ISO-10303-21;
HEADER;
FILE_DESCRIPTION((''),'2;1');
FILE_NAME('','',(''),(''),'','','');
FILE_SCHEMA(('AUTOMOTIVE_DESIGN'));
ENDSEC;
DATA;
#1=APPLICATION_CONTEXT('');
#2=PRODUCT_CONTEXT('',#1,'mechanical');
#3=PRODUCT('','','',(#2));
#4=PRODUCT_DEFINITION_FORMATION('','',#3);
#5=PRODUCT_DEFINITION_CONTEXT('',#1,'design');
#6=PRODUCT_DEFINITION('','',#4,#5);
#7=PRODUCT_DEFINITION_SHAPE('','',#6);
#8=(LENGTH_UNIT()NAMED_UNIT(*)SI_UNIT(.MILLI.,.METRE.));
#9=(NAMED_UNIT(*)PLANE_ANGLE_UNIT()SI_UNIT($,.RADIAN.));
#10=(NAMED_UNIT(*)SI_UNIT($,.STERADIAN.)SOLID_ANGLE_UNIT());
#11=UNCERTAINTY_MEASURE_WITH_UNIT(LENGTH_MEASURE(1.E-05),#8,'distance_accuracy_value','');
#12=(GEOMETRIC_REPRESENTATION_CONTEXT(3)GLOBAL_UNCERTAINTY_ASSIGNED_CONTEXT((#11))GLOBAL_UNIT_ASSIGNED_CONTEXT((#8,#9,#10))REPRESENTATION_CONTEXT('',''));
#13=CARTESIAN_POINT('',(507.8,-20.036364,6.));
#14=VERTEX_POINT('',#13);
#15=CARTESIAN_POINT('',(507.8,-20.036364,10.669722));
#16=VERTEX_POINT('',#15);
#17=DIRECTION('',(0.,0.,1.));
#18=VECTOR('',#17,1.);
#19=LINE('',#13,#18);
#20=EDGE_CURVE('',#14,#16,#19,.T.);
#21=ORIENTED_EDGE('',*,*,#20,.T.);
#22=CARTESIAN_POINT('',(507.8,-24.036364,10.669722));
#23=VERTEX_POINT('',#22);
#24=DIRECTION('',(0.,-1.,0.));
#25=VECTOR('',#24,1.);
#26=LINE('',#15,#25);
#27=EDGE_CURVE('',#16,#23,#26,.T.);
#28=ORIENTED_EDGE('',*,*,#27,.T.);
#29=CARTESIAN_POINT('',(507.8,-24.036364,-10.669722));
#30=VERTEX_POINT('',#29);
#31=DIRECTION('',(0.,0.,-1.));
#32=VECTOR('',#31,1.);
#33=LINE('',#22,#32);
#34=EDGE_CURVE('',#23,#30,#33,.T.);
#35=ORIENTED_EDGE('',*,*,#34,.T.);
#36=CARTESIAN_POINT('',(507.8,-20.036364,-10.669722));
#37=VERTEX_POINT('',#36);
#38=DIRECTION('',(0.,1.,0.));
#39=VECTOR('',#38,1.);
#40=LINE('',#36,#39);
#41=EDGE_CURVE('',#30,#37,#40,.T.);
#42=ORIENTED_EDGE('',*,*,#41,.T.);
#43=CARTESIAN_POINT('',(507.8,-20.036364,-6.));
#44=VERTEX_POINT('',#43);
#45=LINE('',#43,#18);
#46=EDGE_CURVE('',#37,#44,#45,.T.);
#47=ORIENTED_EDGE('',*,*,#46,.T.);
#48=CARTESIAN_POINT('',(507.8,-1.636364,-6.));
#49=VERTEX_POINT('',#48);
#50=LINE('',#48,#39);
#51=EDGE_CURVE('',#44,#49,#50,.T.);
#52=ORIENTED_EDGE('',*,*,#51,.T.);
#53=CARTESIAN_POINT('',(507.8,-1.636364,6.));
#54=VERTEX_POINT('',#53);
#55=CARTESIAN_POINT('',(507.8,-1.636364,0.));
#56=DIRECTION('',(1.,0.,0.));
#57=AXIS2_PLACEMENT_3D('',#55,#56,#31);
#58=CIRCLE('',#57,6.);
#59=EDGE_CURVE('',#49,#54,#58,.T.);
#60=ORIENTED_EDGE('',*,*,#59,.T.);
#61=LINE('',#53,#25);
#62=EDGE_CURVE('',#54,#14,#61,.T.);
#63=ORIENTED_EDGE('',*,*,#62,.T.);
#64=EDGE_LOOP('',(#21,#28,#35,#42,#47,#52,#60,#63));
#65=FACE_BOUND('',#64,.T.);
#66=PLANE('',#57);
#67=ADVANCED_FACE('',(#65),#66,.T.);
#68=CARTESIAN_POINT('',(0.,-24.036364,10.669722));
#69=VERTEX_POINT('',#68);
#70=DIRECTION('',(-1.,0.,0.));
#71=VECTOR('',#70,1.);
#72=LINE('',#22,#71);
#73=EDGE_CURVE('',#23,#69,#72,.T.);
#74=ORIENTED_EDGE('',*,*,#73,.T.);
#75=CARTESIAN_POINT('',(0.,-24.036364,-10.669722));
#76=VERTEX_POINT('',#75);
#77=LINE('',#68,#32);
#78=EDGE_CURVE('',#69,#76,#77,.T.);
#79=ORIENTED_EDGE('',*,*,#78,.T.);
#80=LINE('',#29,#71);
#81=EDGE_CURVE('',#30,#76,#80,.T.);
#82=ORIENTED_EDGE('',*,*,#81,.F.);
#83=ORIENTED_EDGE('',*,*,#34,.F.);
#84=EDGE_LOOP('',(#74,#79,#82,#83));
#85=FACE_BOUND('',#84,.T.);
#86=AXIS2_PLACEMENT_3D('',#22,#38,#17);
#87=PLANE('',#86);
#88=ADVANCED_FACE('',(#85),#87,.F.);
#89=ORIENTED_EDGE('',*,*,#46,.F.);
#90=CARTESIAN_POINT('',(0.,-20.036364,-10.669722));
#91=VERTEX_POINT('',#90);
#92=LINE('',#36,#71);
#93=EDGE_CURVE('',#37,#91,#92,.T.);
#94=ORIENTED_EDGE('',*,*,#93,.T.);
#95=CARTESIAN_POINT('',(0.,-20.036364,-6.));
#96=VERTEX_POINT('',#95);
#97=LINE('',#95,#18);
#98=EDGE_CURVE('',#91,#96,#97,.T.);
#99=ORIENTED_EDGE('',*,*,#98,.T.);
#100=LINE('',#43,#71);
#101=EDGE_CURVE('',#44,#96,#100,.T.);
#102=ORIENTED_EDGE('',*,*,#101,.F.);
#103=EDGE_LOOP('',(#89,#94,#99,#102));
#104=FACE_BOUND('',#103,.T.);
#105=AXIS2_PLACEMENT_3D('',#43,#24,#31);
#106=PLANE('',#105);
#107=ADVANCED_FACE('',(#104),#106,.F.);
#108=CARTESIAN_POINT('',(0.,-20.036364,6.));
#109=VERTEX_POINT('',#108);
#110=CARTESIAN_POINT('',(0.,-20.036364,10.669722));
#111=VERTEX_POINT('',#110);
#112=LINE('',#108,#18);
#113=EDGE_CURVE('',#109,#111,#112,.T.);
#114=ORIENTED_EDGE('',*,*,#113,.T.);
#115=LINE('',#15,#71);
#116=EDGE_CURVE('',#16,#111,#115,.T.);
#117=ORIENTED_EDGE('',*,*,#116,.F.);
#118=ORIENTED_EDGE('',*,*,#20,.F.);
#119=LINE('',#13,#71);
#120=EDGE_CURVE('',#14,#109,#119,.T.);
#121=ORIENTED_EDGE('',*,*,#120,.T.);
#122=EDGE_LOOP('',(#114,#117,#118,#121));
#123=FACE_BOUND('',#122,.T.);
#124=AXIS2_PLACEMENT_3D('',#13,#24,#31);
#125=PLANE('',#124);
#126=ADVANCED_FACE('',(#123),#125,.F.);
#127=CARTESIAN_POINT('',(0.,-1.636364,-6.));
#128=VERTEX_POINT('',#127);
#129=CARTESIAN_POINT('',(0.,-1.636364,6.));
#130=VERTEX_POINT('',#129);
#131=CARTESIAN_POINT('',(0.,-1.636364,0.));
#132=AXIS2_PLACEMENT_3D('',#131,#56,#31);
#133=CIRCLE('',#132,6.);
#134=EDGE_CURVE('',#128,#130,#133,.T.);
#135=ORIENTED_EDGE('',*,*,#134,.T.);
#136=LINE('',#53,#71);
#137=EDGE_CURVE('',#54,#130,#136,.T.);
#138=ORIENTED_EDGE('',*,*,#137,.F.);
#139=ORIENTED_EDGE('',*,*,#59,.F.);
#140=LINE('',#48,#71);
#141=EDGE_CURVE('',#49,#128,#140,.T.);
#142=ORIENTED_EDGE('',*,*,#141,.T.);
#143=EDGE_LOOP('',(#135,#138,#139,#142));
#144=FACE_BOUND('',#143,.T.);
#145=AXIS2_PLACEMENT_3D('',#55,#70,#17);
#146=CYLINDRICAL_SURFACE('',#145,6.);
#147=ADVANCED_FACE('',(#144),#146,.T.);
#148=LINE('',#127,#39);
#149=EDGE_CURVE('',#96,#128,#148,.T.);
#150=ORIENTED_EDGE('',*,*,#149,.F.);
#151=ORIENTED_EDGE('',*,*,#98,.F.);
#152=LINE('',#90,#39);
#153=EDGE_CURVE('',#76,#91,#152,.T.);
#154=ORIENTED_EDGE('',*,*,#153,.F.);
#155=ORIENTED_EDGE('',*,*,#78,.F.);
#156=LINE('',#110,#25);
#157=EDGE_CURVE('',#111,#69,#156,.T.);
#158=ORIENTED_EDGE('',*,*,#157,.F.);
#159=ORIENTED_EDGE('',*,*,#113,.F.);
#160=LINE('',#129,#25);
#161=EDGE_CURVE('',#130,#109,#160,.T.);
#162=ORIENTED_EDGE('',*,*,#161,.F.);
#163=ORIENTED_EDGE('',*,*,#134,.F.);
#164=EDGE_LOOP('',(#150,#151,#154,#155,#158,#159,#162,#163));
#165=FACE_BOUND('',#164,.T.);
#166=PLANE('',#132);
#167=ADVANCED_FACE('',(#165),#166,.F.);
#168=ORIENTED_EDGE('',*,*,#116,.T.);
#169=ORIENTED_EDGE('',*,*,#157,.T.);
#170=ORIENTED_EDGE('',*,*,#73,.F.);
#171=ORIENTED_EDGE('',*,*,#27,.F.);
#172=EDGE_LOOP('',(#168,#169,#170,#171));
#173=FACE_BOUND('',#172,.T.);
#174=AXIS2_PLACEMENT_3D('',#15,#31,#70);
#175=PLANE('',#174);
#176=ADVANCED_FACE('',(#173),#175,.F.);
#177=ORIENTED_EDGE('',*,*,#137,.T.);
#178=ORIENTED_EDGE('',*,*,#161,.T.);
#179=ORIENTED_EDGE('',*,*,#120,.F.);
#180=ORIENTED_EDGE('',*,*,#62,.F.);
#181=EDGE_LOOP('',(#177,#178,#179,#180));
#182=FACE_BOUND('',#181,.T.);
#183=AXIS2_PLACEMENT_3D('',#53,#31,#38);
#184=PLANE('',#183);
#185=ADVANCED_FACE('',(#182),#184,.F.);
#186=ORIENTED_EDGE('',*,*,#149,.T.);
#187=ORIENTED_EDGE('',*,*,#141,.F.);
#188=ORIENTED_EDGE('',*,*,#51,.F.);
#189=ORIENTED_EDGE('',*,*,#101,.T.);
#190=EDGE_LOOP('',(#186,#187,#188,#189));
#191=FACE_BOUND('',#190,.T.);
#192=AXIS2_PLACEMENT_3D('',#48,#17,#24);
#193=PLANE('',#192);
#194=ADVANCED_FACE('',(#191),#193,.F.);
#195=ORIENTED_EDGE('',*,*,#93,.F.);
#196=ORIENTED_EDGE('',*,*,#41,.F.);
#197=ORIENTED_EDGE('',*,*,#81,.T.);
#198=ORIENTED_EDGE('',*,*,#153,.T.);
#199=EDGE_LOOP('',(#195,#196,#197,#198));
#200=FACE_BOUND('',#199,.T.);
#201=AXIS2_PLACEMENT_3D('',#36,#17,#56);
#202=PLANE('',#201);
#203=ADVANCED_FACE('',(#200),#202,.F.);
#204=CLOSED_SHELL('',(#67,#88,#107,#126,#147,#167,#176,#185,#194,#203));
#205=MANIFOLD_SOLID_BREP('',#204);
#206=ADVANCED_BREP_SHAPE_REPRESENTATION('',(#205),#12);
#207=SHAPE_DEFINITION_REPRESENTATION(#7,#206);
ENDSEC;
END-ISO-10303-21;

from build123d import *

# Parameters (mm, degrees)
BOSS_EXTRUDE1_DEPTH = 507.8


with BuildPart() as part:
    # Sketch2 → Boss-Extrude1 (new body)
    with BuildSketch(Plane(origin=(0, 0, 0), x_dir=(0, 0, -1), z_dir=(1, 0, 0))):
        with BuildLine():
            Line((6, -20.036364033), (10.669721768, -20.036364033))
            Line((10.669721768, -20.036364033), (10.669721768, -24.036364033))
            Line((10.669721768, -24.036364033), (-10.669721768, -24.036364033))
            Line((-10.669721768, -24.036364033), (-10.669721768, -20.036364033))
            Line((-10.669721768, -20.036364033), (-6, -20.036364033))
            Line((-6, -20.036364033), (-6, -1.636364033))
            ThreePointArc((-6, -1.636364033), (0, 4.363635967), (6, -1.636364033))
            Line((6, -1.636364033), (6, -20.036364033))
        make_face()
    extrude(amount=BOSS_EXTRUDE1_DEPTH)


solid = part.part
